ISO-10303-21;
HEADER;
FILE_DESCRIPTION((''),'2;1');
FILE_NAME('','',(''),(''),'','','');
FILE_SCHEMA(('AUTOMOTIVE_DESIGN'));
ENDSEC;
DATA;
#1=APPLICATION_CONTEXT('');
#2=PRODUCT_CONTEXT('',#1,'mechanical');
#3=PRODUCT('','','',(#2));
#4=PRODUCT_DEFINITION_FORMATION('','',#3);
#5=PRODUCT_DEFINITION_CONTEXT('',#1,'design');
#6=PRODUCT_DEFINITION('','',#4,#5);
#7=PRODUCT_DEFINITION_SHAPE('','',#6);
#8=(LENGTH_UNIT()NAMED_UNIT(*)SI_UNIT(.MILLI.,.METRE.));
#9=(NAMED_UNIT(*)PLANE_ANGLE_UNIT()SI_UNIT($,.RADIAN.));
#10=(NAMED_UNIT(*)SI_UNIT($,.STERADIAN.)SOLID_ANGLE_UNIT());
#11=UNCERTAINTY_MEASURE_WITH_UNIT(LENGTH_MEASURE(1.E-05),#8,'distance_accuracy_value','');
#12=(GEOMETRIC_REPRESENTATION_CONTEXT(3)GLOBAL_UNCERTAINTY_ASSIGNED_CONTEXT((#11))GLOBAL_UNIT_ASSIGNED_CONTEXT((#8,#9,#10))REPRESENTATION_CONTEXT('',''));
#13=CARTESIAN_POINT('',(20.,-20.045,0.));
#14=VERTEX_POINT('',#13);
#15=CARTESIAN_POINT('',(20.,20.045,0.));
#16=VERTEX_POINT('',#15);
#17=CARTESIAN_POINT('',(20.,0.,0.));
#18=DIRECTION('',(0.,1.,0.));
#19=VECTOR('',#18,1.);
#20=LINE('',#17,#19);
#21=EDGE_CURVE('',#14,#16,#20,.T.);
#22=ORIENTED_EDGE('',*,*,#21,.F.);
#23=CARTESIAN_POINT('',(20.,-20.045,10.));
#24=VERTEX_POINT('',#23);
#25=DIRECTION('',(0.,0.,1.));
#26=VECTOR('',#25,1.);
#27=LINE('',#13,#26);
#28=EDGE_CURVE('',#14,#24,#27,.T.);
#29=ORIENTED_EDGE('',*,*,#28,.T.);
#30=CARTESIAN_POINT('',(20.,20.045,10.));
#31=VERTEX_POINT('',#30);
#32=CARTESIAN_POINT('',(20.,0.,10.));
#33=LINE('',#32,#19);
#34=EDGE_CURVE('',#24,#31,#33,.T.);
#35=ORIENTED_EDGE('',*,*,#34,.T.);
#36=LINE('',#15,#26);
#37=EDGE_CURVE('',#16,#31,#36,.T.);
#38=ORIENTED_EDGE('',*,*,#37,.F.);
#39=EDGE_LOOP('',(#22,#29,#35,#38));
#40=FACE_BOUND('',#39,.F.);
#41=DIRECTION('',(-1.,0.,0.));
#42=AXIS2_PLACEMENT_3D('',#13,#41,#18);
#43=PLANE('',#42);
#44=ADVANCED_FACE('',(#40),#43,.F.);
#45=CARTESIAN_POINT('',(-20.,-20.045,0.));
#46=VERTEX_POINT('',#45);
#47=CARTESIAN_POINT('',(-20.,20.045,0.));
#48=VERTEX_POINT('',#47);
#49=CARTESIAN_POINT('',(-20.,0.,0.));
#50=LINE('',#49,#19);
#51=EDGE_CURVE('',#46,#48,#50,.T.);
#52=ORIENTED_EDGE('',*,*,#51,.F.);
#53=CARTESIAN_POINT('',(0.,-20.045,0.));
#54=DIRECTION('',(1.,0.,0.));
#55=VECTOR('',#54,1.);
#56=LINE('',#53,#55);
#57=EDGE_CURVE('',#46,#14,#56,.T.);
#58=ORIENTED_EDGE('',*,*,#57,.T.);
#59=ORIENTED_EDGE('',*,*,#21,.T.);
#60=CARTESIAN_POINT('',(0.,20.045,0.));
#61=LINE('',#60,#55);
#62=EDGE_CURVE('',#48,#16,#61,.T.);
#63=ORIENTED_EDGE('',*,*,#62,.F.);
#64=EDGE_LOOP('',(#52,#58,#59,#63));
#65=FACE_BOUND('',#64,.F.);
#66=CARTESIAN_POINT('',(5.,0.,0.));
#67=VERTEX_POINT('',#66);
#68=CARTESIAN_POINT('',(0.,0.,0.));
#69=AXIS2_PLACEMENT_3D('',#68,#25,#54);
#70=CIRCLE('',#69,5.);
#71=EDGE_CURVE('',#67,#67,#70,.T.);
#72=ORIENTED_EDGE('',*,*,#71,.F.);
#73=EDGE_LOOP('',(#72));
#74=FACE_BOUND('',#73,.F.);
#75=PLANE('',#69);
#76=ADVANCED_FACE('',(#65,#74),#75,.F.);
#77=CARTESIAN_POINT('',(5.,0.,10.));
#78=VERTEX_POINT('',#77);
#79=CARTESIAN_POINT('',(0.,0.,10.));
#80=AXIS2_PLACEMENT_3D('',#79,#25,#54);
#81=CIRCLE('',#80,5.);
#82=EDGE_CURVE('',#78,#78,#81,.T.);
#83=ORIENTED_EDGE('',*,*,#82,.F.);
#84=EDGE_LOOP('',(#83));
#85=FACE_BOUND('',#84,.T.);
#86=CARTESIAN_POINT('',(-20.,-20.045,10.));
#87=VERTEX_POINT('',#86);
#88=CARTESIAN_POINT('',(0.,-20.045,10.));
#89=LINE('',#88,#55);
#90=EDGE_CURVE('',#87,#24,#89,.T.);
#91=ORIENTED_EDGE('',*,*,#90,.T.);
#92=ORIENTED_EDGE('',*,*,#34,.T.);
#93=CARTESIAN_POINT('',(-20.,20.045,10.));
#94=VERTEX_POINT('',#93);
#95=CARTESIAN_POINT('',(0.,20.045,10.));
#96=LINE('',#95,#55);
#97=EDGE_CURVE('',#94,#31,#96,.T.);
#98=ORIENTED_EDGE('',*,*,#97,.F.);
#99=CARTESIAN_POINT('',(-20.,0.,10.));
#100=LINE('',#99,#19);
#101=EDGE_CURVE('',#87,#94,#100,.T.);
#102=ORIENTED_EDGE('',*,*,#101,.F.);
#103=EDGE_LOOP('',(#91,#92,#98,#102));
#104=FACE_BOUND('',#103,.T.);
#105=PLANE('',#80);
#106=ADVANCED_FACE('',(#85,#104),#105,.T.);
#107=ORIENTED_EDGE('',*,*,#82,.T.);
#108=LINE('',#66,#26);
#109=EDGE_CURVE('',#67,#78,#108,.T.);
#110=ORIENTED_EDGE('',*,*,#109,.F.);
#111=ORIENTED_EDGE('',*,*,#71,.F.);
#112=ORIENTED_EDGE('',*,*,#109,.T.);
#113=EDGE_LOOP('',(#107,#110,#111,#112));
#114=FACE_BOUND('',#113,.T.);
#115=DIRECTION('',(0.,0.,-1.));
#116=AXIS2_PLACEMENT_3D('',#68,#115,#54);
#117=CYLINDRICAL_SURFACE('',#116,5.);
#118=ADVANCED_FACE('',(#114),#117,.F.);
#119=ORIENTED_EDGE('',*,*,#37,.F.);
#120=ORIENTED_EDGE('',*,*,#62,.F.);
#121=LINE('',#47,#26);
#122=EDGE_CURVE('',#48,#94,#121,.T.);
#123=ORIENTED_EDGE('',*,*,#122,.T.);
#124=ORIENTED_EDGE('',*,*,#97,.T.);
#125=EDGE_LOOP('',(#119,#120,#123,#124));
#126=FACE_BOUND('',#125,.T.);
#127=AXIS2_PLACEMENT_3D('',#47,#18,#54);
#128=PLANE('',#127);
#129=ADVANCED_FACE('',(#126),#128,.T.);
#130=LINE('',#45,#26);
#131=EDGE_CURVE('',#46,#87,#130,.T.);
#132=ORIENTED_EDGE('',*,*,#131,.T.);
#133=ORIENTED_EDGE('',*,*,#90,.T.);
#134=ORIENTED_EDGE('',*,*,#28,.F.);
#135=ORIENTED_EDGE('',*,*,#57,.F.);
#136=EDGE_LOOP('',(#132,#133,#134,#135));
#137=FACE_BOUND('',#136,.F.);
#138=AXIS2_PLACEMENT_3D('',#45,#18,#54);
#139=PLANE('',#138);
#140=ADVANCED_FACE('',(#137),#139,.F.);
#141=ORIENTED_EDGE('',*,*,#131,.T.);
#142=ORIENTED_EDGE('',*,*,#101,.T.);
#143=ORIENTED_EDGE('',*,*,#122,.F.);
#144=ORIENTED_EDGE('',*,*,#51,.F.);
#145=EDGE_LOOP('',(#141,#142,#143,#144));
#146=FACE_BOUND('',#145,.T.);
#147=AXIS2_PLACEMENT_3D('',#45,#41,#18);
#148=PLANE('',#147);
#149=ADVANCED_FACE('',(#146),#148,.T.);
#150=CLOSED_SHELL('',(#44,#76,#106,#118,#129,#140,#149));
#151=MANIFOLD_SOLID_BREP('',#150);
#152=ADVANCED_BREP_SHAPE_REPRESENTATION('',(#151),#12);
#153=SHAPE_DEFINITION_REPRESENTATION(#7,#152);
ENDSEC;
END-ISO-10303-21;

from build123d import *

# Parameters (mm, degrees)
SKETCH_W      = 40
SKETCH_H      = 40.09
SKETCH_R      = 5
EXTRUDE_DEPTH = 10


with BuildPart() as part:
    # Sketch → Extrude (new body)
    with BuildSketch(Plane.XY):
        Rectangle(SKETCH_W, SKETCH_H)
        Circle(SKETCH_R, mode=Mode.SUBTRACT)
    extrude(amount=EXTRUDE_DEPTH)


solid = part.part
